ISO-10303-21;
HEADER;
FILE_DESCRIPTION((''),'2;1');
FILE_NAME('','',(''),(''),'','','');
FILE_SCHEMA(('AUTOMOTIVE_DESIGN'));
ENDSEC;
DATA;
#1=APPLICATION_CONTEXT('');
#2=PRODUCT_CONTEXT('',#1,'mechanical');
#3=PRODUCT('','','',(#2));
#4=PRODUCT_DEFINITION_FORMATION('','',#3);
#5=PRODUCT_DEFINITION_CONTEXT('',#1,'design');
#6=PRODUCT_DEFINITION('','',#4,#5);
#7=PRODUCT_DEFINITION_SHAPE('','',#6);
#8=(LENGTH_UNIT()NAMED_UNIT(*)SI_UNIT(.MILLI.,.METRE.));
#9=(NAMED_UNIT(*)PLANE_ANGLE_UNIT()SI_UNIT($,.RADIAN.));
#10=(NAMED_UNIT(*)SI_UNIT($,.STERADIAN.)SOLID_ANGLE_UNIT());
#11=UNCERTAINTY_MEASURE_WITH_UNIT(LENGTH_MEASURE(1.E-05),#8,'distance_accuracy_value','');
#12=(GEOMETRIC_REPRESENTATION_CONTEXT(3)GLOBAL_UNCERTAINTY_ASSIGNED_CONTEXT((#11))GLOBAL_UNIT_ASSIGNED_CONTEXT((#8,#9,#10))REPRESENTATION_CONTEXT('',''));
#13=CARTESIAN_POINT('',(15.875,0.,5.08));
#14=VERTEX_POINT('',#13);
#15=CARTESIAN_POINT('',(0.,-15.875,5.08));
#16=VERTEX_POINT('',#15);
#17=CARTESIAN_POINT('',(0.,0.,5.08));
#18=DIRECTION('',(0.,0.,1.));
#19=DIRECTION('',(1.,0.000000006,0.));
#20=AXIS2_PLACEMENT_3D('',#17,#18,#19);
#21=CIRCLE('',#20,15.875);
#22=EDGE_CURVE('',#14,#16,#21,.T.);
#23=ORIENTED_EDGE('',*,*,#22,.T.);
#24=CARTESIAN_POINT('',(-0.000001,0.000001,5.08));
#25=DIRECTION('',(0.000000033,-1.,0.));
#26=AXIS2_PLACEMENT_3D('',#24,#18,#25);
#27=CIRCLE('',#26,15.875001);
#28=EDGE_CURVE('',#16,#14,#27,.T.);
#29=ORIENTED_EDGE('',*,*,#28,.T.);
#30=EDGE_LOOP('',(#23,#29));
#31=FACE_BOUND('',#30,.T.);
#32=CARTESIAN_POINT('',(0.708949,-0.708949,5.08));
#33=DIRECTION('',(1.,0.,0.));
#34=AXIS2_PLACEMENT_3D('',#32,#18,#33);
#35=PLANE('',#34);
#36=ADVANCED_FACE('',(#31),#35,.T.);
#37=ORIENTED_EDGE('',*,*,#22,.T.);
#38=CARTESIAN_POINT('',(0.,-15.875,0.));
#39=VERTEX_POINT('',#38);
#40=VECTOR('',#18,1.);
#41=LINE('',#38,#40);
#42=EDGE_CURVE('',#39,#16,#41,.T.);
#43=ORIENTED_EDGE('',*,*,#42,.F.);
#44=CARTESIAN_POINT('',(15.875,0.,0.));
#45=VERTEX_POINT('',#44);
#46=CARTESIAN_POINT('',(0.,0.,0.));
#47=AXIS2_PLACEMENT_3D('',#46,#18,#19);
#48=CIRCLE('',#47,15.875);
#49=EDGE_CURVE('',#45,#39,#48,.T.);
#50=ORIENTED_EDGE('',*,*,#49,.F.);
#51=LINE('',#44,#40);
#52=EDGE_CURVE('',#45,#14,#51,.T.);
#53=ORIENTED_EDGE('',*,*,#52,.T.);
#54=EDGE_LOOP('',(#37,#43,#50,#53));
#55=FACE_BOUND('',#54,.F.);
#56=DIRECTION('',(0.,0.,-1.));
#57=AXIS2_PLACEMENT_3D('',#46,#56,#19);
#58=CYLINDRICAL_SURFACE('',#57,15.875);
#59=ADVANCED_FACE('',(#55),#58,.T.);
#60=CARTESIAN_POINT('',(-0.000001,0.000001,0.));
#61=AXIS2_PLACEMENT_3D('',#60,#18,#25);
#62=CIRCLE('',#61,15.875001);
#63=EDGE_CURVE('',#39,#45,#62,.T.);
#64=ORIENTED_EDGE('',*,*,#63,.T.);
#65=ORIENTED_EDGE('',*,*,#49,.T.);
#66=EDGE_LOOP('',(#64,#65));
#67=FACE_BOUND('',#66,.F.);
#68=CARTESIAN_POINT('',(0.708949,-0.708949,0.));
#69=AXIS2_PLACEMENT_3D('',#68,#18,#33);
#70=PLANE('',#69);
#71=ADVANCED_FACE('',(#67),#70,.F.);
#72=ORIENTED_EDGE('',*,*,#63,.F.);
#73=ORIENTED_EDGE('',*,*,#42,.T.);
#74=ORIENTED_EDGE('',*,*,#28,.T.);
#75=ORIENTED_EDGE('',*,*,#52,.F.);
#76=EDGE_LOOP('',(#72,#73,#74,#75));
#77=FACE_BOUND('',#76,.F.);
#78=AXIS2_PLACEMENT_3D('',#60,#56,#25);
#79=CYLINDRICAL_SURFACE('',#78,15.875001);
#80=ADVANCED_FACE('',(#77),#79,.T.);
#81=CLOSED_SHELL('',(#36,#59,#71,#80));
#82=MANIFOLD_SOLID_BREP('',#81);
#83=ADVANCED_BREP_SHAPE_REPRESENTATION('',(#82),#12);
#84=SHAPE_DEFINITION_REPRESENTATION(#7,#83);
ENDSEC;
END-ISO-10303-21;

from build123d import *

# Parameters (mm, degrees)
F1_DEPTH = 5.08


with BuildPart() as f1:
    # F0 (on Top) → F1 (new body)
    with BuildSketch(Plane.XY):
        with BuildLine():
            ThreePointArc((0, -15.875), (11.22532, -11.22532), (15.875, 0))
            ThreePointArc((15.875, 0), (-11.22532, 11.22532), (0, -15.875))
        make_face()
    extrude(amount=F1_DEPTH)


solid = f1.part
